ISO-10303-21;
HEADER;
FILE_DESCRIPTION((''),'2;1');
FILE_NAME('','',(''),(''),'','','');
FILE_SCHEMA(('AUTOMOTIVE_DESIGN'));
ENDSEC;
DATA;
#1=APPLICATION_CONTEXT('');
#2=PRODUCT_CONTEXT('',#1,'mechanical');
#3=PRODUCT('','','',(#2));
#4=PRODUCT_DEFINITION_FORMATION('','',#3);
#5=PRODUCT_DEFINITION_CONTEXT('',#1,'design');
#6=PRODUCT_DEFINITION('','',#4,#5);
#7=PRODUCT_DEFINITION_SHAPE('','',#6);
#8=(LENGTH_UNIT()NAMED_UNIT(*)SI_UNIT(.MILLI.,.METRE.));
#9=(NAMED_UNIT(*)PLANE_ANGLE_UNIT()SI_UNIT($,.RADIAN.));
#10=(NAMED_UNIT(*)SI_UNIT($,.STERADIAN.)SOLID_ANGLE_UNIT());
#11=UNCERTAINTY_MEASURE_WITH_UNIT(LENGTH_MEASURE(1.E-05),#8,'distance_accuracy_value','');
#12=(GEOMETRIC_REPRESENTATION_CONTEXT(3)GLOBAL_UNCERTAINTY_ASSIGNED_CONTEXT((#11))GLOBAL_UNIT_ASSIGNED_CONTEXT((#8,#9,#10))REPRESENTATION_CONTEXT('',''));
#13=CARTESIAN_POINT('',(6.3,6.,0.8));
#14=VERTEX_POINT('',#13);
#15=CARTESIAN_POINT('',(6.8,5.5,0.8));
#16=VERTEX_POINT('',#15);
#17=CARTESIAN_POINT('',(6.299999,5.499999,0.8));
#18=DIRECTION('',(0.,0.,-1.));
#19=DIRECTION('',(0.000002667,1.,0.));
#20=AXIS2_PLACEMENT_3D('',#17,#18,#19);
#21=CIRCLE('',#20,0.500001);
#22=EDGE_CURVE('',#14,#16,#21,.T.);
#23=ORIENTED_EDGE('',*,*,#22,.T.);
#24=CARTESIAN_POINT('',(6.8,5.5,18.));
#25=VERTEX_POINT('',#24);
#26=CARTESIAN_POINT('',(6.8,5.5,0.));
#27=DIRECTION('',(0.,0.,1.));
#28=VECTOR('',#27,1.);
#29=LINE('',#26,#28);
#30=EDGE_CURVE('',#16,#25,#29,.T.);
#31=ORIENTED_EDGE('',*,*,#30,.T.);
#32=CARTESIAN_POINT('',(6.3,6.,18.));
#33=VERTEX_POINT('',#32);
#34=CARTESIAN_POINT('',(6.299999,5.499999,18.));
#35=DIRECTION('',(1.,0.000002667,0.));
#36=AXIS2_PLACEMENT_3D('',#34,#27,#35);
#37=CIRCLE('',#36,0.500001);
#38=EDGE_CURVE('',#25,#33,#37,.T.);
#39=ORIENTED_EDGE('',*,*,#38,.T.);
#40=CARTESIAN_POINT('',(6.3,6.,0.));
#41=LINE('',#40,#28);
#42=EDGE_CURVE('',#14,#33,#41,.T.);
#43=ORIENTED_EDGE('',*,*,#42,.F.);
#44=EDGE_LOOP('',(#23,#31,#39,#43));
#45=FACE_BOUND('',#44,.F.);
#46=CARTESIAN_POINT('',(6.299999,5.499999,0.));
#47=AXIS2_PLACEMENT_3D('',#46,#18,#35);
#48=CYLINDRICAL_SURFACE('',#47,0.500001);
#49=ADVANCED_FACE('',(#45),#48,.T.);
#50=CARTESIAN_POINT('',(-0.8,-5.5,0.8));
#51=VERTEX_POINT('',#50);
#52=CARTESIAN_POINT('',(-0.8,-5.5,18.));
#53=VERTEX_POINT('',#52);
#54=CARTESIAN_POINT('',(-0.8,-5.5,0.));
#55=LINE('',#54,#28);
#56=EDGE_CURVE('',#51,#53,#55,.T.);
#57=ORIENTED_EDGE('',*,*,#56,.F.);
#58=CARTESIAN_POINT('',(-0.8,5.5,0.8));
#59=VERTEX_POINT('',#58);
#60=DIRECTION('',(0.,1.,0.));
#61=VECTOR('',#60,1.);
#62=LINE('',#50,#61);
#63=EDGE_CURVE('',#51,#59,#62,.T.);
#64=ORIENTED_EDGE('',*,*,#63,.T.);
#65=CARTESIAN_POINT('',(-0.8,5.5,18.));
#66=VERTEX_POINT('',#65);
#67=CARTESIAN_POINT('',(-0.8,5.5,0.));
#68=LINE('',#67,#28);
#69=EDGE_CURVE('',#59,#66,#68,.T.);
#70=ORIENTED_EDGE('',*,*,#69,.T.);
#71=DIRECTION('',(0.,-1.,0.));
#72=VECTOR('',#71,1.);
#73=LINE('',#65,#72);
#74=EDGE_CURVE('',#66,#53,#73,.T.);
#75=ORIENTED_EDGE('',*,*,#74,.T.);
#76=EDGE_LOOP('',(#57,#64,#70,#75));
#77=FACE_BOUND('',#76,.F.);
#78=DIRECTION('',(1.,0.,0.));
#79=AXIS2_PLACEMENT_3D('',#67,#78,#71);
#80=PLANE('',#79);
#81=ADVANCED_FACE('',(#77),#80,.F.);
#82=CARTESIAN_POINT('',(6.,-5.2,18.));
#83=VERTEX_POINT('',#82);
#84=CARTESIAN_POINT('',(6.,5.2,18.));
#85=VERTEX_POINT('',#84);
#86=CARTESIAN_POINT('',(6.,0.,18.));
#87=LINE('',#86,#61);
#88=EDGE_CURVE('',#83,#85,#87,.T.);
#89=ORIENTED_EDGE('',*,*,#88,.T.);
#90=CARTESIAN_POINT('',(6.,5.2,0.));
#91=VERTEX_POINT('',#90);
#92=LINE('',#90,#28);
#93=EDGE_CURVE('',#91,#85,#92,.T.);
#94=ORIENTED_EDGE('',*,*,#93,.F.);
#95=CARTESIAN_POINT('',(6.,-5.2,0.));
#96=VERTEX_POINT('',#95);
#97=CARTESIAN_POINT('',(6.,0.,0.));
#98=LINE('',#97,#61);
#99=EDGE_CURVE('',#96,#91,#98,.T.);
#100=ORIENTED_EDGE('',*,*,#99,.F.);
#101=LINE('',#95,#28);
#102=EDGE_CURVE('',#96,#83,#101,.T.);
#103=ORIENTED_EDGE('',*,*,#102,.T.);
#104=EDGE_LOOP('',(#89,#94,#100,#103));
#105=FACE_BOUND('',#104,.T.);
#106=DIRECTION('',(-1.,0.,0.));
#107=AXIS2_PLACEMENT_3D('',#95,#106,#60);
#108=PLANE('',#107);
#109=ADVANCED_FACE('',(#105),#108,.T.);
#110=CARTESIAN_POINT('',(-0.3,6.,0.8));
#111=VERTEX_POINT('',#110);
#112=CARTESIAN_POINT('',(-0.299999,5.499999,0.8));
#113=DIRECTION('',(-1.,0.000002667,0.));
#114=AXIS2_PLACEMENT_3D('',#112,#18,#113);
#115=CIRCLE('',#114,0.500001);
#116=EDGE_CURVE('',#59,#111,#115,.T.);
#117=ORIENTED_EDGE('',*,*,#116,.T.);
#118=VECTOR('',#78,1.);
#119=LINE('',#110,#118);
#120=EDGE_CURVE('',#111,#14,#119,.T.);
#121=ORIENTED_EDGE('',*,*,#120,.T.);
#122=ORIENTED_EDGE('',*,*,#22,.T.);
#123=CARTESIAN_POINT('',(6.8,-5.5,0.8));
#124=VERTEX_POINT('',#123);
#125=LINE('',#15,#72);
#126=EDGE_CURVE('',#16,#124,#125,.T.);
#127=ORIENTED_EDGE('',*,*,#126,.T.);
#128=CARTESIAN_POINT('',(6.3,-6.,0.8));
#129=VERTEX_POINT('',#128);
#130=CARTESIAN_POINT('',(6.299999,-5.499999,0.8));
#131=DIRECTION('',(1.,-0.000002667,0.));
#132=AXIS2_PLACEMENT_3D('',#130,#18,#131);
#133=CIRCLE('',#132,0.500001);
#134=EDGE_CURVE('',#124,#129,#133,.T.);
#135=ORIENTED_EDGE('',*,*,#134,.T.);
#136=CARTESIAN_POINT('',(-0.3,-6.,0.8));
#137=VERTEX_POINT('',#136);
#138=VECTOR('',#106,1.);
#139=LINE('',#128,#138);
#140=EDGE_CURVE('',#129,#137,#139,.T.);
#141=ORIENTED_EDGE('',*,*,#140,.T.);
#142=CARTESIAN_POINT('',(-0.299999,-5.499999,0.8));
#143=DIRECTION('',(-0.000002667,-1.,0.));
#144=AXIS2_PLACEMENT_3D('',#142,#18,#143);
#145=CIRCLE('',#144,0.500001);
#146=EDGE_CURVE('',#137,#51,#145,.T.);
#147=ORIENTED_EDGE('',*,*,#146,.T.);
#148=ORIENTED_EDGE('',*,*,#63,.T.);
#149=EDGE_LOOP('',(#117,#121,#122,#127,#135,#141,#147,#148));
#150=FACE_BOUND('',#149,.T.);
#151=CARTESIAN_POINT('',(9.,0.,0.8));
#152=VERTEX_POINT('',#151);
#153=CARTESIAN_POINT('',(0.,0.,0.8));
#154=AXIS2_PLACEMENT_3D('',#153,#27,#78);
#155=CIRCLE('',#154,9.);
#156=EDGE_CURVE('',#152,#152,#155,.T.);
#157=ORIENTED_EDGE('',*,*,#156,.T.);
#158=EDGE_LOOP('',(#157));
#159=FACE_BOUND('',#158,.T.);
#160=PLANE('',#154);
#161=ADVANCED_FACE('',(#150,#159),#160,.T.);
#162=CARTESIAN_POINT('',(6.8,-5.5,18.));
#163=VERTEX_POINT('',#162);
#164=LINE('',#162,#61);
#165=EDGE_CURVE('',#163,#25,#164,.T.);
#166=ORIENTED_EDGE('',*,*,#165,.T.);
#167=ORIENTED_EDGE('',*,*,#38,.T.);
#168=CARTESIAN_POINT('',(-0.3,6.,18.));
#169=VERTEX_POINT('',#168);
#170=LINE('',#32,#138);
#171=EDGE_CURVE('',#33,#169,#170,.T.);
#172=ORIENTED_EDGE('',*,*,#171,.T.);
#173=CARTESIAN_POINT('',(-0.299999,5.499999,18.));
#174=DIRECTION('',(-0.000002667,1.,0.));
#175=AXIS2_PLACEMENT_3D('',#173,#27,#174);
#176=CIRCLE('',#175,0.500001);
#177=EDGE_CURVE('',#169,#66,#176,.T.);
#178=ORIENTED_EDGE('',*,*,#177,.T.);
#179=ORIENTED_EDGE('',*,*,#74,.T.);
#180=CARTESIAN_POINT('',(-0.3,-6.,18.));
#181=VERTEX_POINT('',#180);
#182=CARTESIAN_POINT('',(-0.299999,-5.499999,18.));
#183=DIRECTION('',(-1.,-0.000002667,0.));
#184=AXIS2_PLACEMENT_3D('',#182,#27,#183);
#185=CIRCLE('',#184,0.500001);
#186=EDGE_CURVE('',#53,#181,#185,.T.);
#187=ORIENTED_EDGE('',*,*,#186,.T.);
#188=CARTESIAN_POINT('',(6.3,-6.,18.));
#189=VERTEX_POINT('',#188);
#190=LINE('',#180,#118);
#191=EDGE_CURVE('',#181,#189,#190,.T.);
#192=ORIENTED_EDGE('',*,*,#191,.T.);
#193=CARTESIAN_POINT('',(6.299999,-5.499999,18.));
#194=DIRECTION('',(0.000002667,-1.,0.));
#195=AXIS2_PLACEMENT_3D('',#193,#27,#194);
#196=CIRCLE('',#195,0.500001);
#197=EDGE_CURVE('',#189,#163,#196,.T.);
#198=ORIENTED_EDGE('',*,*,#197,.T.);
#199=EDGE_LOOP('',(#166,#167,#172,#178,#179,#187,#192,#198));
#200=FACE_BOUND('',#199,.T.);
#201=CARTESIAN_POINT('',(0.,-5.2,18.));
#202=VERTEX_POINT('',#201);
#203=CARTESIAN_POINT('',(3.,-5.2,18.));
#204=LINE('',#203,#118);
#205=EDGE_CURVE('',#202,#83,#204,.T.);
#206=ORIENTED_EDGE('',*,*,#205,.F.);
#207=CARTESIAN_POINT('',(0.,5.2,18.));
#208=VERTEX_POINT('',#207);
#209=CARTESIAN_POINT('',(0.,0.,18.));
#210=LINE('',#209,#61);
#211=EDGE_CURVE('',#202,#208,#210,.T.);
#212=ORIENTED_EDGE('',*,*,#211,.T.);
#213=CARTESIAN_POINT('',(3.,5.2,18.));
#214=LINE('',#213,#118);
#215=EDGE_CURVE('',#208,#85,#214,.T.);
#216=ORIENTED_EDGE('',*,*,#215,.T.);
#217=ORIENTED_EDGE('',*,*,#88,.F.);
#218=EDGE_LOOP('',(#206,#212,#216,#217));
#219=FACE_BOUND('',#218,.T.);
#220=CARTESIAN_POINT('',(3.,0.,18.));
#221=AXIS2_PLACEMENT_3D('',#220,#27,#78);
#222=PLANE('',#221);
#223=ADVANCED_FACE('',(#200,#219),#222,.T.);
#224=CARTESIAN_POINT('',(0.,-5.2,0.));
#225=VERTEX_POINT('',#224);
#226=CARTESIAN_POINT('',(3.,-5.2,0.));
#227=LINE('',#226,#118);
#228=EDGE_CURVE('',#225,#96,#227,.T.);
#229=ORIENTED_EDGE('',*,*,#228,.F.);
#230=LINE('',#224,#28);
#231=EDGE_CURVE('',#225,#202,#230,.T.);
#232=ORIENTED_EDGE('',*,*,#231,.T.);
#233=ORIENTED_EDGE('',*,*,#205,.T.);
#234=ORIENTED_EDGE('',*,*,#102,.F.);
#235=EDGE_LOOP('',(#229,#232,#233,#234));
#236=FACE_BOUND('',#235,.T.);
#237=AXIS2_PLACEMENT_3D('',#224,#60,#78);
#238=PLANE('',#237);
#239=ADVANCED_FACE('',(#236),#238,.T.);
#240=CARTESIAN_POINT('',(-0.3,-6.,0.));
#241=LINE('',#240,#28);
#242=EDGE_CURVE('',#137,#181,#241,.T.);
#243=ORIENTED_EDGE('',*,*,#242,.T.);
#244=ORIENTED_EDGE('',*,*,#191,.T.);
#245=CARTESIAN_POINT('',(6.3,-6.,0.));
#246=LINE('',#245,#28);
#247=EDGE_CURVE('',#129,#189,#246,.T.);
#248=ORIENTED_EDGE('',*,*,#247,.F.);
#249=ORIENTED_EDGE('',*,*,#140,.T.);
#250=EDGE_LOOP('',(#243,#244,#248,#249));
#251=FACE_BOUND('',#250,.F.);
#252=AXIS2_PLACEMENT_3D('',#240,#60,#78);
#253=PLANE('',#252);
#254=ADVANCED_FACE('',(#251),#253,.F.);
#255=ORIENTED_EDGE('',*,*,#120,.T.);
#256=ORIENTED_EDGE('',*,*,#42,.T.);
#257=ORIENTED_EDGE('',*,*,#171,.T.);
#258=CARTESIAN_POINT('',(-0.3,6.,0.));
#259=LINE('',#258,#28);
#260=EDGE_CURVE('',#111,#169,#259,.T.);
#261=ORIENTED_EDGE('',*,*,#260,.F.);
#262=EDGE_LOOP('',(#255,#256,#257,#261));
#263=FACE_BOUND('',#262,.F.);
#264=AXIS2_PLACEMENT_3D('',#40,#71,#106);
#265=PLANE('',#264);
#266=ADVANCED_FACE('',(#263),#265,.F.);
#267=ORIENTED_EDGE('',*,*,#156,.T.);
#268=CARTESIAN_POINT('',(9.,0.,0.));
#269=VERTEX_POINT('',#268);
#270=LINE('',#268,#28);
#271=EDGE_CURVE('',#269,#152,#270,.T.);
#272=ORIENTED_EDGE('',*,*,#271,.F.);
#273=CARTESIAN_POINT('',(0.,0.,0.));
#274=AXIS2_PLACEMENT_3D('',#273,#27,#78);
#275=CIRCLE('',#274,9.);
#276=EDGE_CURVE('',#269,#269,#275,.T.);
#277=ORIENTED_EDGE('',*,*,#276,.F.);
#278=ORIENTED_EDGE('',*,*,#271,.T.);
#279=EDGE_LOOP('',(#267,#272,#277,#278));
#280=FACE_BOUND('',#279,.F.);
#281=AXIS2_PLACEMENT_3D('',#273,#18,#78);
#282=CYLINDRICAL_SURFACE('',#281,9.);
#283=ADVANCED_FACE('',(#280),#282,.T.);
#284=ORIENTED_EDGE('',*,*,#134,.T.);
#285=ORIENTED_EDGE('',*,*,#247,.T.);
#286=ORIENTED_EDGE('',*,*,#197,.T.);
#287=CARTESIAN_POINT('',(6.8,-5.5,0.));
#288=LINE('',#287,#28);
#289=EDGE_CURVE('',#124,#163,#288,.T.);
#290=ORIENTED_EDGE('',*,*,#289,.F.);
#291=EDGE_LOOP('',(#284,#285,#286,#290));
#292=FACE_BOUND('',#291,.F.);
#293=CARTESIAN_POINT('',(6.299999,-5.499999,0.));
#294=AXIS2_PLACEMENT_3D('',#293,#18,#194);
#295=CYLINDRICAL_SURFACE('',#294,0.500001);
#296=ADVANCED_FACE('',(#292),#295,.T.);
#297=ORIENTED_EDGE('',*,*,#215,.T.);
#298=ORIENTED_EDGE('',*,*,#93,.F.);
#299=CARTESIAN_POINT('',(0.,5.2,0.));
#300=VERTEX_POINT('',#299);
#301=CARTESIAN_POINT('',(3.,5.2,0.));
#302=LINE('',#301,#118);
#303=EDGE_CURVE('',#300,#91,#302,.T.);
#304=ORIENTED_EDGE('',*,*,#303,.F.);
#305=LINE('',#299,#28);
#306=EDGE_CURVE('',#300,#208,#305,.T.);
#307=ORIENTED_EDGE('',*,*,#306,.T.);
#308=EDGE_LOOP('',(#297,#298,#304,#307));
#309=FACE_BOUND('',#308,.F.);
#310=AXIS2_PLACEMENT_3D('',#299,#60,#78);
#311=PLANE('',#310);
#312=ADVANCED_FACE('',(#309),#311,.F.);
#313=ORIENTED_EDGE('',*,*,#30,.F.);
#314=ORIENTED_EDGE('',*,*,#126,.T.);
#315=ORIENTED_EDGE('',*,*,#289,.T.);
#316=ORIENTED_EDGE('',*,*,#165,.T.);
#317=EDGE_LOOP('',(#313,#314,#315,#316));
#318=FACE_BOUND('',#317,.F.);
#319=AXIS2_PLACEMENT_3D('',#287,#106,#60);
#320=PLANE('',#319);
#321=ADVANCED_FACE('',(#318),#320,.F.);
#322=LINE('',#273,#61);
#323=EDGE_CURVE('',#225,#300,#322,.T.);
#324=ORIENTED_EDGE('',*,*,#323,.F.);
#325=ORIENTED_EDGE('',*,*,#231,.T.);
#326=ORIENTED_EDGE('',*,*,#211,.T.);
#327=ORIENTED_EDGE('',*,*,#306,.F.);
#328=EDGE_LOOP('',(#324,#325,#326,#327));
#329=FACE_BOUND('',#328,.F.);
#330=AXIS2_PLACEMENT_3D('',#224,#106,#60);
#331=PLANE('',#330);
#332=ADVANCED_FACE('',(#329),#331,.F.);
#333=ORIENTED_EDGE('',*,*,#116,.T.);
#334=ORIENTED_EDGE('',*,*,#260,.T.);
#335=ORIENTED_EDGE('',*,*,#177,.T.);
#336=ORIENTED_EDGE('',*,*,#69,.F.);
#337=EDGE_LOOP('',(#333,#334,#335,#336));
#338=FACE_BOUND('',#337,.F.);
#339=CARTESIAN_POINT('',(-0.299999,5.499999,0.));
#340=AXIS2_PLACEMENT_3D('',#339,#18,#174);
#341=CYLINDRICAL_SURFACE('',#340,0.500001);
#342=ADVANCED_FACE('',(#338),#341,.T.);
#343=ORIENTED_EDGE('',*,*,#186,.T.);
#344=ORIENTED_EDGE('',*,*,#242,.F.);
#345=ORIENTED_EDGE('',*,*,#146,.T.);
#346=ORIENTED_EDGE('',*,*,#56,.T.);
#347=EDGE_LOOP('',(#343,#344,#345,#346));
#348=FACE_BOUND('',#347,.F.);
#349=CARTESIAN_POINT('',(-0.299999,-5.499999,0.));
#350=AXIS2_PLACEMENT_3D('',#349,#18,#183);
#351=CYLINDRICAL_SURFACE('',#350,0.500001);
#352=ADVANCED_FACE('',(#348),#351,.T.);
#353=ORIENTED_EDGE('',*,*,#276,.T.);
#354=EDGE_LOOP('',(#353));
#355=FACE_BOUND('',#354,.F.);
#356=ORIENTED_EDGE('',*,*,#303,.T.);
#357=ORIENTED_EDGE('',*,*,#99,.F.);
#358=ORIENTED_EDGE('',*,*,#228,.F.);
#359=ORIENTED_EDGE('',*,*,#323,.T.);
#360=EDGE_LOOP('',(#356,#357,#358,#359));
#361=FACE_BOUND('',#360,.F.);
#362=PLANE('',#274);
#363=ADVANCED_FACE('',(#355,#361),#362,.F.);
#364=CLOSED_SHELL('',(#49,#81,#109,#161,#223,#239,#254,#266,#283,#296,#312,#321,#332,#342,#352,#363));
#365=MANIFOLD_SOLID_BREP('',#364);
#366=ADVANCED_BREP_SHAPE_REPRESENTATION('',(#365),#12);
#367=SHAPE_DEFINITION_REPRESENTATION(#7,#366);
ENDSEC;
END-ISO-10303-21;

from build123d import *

# Parameters (mm, degrees)
F0_W     = 6
F0_H     = 10.4
F1_DEPTH = 18
F0_R     = 9
F2_DEPTH = 0.8


with BuildPart() as f1:
    # F0 (on Top) → F1 (new body)
    with BuildSketch(Plane.XY):
        with BuildLine():
            Line((6.8, -5.5), (6.8, 5.5))
            ThreePointArc((6.8, 5.5), (6.653553, 5.853553), (6.3, 6))
            Line((6.3, 6), (-0.3, 6))
            ThreePointArc((-0.3, 6), (-0.653553, 5.853553), (-0.8, 5.5))
            Line((-0.8, 5.5), (-0.8, -5.5))
            ThreePointArc((-0.8, -5.5), (-0.653553, -5.853553), (-0.3, -6))
            Line((-0.3, -6), (6.3, -6))
            ThreePointArc((6.3, -6), (6.653553, -5.853553), (6.8, -5.5))
        make_face()
        with Locations((3, 0)):
            Rectangle(F0_W, F0_H, mode=Mode.SUBTRACT)
    extrude(amount=F1_DEPTH)

    # F0 (on Top) → F2 (join)
    with BuildSketch(Plane.XY):
        Circle(F0_R)
        with BuildLine():
            ThreePointArc((6.3, 6), (6.653553, 5.853553), (6.8, 5.5))
            Line((6.8, 5.5), (6.8, -5.5))
            ThreePointArc((6.8, -5.5), (6.653553, -5.853553), (6.3, -6))
            Line((6.3, -6), (-0.3, -6))
            ThreePointArc((-0.3, -6), (-0.653553, -5.853553), (-0.8, -5.5))
            Line((-0.8, -5.5), (-0.8, 5.5))
            ThreePointArc((-0.8, 5.5), (-0.653553, 5.853553), (-0.3, 6))
            Line((-0.3, 6), (6.3, 6))
        make_face(mode=Mode.SUBTRACT)
    extrude(amount=F2_DEPTH)


solid = f1.part
